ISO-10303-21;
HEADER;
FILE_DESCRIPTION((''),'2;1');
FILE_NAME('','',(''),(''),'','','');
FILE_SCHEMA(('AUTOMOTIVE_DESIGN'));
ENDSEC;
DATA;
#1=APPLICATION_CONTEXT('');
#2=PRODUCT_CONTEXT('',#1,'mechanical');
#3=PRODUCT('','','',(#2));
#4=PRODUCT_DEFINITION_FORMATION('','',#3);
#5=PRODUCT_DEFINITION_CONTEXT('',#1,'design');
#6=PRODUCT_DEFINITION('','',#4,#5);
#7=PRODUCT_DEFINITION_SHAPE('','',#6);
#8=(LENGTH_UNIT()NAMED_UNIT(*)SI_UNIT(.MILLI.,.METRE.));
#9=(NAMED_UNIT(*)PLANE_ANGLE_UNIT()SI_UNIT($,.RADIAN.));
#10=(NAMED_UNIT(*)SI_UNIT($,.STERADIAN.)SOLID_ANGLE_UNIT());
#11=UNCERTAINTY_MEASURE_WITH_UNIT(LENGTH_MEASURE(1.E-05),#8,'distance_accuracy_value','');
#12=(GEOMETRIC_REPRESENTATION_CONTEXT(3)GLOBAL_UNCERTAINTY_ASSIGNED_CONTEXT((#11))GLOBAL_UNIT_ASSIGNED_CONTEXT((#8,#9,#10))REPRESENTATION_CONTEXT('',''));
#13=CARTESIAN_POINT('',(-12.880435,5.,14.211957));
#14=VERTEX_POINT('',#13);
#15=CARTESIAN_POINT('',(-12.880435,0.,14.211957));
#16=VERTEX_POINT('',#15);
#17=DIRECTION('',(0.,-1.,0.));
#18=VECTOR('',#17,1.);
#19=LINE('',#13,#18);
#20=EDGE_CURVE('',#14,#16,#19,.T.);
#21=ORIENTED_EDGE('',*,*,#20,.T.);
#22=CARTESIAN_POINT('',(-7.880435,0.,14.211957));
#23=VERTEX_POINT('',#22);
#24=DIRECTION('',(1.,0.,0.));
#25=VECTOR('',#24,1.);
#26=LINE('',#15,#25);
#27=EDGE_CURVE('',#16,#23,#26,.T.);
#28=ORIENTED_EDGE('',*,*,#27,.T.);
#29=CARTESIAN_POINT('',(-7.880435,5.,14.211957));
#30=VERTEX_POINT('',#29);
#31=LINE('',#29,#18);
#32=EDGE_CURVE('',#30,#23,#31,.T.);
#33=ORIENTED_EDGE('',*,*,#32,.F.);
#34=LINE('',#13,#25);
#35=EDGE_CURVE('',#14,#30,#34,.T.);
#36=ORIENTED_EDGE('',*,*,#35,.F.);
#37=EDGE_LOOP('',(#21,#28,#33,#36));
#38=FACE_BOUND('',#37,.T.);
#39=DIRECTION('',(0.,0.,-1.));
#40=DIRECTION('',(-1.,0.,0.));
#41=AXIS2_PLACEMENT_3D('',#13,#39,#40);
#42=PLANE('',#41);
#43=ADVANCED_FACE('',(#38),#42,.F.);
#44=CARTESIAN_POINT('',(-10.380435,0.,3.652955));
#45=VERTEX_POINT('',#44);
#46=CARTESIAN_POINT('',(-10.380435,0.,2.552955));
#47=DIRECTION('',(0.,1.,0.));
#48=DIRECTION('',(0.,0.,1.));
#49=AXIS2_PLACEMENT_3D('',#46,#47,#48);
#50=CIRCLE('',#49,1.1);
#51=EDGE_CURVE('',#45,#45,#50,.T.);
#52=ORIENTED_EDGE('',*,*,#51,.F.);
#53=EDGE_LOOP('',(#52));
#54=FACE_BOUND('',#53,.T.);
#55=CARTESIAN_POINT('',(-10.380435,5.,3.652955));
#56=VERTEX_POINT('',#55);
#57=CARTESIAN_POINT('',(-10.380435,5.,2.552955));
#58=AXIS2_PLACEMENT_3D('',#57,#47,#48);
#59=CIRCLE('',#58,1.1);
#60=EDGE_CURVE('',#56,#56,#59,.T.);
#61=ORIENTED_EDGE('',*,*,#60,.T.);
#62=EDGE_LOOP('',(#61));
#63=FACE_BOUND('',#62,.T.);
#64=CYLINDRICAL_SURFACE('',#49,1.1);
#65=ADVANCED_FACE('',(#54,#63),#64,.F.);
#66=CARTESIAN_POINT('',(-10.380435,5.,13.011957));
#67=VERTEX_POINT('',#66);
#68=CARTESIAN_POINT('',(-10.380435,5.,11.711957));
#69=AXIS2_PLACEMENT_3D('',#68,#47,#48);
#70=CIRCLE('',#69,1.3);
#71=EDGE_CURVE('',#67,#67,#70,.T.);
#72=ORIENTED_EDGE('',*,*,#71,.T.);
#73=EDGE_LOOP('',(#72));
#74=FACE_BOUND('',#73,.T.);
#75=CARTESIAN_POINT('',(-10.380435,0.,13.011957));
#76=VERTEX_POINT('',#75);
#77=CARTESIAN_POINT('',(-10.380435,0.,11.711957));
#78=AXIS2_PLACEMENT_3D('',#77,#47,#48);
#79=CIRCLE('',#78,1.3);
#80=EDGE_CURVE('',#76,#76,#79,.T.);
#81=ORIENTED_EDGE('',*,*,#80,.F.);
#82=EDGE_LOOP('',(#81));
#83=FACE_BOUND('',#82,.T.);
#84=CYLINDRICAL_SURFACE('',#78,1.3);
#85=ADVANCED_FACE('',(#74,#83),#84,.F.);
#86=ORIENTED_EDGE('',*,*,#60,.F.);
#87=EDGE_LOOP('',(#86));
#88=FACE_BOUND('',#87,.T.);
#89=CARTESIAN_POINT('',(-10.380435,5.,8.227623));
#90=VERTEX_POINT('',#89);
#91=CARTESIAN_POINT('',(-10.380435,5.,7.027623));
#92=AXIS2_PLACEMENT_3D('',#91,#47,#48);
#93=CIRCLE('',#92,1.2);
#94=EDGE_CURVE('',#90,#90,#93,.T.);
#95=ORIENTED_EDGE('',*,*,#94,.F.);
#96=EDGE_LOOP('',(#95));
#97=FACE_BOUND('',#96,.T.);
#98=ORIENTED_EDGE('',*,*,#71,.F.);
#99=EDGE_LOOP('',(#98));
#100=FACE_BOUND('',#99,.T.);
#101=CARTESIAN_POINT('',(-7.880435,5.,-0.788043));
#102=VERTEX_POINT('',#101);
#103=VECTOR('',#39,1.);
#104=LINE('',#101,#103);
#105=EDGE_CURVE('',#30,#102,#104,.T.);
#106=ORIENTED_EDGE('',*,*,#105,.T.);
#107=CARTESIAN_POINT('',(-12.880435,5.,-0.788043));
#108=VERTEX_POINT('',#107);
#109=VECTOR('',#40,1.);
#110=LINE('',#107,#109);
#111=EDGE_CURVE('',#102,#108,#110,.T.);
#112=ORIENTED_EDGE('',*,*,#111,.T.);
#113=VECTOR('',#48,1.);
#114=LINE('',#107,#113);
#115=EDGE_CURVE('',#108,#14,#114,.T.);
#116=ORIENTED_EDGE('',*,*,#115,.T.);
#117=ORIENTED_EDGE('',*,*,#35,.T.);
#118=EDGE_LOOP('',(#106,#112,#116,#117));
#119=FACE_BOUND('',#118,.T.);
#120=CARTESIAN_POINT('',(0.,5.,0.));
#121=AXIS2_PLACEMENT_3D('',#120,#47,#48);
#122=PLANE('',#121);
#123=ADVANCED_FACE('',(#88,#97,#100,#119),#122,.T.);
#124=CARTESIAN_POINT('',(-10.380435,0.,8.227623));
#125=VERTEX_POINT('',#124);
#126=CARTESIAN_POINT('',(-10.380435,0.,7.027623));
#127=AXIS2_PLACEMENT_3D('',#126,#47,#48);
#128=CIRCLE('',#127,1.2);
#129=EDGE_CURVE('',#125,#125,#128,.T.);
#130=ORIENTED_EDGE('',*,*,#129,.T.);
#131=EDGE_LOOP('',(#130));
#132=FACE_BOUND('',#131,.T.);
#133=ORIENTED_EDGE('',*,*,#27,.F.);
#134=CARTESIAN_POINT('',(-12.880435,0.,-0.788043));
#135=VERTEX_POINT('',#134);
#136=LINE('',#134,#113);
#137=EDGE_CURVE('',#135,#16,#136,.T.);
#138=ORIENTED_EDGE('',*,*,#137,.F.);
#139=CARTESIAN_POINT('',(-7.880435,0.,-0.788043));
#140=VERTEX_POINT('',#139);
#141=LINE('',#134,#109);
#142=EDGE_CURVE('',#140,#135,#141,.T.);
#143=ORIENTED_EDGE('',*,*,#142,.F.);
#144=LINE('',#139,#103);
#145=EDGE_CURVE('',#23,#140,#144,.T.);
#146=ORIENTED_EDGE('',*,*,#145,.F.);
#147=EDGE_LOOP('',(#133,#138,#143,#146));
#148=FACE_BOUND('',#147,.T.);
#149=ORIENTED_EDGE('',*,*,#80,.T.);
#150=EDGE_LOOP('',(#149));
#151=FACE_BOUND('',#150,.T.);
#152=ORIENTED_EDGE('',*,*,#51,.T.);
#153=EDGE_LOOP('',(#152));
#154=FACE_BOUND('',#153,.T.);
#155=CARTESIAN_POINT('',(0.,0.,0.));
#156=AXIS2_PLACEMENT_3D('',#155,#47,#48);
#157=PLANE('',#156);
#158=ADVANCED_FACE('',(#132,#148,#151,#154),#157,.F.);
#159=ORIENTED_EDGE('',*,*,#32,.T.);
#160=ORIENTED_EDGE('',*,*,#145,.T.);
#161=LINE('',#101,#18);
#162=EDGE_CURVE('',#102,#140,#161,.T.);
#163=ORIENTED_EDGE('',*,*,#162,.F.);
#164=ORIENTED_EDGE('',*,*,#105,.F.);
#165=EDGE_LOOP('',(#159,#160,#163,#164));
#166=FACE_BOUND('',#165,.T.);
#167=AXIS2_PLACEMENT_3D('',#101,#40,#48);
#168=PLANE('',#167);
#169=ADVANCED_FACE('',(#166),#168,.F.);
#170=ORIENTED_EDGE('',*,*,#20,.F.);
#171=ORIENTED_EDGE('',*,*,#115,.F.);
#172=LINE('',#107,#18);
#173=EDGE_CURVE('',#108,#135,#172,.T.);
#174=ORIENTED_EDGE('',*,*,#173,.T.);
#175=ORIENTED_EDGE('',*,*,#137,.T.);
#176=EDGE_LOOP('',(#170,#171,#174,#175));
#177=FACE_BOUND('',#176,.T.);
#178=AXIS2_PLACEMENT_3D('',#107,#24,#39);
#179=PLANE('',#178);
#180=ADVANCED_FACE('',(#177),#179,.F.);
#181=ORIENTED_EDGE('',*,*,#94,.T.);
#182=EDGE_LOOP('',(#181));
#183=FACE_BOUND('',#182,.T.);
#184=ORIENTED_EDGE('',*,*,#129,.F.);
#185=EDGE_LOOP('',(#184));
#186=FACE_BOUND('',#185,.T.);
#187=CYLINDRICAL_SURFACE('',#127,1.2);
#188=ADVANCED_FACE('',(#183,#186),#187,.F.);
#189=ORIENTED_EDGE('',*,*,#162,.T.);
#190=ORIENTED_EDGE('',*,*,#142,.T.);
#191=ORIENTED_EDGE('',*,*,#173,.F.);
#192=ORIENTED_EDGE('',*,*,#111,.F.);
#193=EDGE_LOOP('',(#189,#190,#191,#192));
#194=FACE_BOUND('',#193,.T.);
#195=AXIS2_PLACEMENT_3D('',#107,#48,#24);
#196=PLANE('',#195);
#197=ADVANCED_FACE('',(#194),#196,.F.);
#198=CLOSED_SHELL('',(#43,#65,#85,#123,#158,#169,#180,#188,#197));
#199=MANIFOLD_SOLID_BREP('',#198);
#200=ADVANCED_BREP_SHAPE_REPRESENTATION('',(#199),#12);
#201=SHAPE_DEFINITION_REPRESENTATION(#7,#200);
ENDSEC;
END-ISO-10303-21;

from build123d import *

# Parameters (mm, degrees)
SKETCH_1_W          = 5
SKETCH_1_H          = 15
EXTRUDE_1_DEPTH     = 5
SKETCH_2_R          = 1.3
SKETCH_2_R_2        = 1.2
SKETCH_2_R_3        = 1.1
CUT_EXTRUDE_1_DEPTH = 5


with BuildPart() as part:
    # 草图1 → 凸台-拉伸1 (new body)
    with BuildSketch(Plane(origin=(0, 0, 0), x_dir=(1, 0, 0), z_dir=(0, 1, 0))):
        with Locations((-10.380434783, -6.711956522)):
            Rectangle(SKETCH_1_W, SKETCH_1_H)
    extrude(amount=EXTRUDE_1_DEPTH)

    # 草图2 → 切除-拉伸1 (cut)
    with BuildSketch(Plane(origin=(0, 5, 0), x_dir=(1, 0, 0), z_dir=(0, 1, 0))):
        with Locations(Location((-10.380434783, -11.711956522, 0), (0, 0, 270))):
            Circle(SKETCH_2_R)
        with Locations(Location((-10.380434783, -7.02762262, 0), (0, 0, 270))):
            Circle(SKETCH_2_R_2)
        with Locations(Location((-10.380434783, -2.552955038, 0), (0, 0, 270))):
            Circle(SKETCH_2_R_3)
    extrude(amount=-CUT_EXTRUDE_1_DEPTH, mode=Mode.SUBTRACT)


solid = part.part
